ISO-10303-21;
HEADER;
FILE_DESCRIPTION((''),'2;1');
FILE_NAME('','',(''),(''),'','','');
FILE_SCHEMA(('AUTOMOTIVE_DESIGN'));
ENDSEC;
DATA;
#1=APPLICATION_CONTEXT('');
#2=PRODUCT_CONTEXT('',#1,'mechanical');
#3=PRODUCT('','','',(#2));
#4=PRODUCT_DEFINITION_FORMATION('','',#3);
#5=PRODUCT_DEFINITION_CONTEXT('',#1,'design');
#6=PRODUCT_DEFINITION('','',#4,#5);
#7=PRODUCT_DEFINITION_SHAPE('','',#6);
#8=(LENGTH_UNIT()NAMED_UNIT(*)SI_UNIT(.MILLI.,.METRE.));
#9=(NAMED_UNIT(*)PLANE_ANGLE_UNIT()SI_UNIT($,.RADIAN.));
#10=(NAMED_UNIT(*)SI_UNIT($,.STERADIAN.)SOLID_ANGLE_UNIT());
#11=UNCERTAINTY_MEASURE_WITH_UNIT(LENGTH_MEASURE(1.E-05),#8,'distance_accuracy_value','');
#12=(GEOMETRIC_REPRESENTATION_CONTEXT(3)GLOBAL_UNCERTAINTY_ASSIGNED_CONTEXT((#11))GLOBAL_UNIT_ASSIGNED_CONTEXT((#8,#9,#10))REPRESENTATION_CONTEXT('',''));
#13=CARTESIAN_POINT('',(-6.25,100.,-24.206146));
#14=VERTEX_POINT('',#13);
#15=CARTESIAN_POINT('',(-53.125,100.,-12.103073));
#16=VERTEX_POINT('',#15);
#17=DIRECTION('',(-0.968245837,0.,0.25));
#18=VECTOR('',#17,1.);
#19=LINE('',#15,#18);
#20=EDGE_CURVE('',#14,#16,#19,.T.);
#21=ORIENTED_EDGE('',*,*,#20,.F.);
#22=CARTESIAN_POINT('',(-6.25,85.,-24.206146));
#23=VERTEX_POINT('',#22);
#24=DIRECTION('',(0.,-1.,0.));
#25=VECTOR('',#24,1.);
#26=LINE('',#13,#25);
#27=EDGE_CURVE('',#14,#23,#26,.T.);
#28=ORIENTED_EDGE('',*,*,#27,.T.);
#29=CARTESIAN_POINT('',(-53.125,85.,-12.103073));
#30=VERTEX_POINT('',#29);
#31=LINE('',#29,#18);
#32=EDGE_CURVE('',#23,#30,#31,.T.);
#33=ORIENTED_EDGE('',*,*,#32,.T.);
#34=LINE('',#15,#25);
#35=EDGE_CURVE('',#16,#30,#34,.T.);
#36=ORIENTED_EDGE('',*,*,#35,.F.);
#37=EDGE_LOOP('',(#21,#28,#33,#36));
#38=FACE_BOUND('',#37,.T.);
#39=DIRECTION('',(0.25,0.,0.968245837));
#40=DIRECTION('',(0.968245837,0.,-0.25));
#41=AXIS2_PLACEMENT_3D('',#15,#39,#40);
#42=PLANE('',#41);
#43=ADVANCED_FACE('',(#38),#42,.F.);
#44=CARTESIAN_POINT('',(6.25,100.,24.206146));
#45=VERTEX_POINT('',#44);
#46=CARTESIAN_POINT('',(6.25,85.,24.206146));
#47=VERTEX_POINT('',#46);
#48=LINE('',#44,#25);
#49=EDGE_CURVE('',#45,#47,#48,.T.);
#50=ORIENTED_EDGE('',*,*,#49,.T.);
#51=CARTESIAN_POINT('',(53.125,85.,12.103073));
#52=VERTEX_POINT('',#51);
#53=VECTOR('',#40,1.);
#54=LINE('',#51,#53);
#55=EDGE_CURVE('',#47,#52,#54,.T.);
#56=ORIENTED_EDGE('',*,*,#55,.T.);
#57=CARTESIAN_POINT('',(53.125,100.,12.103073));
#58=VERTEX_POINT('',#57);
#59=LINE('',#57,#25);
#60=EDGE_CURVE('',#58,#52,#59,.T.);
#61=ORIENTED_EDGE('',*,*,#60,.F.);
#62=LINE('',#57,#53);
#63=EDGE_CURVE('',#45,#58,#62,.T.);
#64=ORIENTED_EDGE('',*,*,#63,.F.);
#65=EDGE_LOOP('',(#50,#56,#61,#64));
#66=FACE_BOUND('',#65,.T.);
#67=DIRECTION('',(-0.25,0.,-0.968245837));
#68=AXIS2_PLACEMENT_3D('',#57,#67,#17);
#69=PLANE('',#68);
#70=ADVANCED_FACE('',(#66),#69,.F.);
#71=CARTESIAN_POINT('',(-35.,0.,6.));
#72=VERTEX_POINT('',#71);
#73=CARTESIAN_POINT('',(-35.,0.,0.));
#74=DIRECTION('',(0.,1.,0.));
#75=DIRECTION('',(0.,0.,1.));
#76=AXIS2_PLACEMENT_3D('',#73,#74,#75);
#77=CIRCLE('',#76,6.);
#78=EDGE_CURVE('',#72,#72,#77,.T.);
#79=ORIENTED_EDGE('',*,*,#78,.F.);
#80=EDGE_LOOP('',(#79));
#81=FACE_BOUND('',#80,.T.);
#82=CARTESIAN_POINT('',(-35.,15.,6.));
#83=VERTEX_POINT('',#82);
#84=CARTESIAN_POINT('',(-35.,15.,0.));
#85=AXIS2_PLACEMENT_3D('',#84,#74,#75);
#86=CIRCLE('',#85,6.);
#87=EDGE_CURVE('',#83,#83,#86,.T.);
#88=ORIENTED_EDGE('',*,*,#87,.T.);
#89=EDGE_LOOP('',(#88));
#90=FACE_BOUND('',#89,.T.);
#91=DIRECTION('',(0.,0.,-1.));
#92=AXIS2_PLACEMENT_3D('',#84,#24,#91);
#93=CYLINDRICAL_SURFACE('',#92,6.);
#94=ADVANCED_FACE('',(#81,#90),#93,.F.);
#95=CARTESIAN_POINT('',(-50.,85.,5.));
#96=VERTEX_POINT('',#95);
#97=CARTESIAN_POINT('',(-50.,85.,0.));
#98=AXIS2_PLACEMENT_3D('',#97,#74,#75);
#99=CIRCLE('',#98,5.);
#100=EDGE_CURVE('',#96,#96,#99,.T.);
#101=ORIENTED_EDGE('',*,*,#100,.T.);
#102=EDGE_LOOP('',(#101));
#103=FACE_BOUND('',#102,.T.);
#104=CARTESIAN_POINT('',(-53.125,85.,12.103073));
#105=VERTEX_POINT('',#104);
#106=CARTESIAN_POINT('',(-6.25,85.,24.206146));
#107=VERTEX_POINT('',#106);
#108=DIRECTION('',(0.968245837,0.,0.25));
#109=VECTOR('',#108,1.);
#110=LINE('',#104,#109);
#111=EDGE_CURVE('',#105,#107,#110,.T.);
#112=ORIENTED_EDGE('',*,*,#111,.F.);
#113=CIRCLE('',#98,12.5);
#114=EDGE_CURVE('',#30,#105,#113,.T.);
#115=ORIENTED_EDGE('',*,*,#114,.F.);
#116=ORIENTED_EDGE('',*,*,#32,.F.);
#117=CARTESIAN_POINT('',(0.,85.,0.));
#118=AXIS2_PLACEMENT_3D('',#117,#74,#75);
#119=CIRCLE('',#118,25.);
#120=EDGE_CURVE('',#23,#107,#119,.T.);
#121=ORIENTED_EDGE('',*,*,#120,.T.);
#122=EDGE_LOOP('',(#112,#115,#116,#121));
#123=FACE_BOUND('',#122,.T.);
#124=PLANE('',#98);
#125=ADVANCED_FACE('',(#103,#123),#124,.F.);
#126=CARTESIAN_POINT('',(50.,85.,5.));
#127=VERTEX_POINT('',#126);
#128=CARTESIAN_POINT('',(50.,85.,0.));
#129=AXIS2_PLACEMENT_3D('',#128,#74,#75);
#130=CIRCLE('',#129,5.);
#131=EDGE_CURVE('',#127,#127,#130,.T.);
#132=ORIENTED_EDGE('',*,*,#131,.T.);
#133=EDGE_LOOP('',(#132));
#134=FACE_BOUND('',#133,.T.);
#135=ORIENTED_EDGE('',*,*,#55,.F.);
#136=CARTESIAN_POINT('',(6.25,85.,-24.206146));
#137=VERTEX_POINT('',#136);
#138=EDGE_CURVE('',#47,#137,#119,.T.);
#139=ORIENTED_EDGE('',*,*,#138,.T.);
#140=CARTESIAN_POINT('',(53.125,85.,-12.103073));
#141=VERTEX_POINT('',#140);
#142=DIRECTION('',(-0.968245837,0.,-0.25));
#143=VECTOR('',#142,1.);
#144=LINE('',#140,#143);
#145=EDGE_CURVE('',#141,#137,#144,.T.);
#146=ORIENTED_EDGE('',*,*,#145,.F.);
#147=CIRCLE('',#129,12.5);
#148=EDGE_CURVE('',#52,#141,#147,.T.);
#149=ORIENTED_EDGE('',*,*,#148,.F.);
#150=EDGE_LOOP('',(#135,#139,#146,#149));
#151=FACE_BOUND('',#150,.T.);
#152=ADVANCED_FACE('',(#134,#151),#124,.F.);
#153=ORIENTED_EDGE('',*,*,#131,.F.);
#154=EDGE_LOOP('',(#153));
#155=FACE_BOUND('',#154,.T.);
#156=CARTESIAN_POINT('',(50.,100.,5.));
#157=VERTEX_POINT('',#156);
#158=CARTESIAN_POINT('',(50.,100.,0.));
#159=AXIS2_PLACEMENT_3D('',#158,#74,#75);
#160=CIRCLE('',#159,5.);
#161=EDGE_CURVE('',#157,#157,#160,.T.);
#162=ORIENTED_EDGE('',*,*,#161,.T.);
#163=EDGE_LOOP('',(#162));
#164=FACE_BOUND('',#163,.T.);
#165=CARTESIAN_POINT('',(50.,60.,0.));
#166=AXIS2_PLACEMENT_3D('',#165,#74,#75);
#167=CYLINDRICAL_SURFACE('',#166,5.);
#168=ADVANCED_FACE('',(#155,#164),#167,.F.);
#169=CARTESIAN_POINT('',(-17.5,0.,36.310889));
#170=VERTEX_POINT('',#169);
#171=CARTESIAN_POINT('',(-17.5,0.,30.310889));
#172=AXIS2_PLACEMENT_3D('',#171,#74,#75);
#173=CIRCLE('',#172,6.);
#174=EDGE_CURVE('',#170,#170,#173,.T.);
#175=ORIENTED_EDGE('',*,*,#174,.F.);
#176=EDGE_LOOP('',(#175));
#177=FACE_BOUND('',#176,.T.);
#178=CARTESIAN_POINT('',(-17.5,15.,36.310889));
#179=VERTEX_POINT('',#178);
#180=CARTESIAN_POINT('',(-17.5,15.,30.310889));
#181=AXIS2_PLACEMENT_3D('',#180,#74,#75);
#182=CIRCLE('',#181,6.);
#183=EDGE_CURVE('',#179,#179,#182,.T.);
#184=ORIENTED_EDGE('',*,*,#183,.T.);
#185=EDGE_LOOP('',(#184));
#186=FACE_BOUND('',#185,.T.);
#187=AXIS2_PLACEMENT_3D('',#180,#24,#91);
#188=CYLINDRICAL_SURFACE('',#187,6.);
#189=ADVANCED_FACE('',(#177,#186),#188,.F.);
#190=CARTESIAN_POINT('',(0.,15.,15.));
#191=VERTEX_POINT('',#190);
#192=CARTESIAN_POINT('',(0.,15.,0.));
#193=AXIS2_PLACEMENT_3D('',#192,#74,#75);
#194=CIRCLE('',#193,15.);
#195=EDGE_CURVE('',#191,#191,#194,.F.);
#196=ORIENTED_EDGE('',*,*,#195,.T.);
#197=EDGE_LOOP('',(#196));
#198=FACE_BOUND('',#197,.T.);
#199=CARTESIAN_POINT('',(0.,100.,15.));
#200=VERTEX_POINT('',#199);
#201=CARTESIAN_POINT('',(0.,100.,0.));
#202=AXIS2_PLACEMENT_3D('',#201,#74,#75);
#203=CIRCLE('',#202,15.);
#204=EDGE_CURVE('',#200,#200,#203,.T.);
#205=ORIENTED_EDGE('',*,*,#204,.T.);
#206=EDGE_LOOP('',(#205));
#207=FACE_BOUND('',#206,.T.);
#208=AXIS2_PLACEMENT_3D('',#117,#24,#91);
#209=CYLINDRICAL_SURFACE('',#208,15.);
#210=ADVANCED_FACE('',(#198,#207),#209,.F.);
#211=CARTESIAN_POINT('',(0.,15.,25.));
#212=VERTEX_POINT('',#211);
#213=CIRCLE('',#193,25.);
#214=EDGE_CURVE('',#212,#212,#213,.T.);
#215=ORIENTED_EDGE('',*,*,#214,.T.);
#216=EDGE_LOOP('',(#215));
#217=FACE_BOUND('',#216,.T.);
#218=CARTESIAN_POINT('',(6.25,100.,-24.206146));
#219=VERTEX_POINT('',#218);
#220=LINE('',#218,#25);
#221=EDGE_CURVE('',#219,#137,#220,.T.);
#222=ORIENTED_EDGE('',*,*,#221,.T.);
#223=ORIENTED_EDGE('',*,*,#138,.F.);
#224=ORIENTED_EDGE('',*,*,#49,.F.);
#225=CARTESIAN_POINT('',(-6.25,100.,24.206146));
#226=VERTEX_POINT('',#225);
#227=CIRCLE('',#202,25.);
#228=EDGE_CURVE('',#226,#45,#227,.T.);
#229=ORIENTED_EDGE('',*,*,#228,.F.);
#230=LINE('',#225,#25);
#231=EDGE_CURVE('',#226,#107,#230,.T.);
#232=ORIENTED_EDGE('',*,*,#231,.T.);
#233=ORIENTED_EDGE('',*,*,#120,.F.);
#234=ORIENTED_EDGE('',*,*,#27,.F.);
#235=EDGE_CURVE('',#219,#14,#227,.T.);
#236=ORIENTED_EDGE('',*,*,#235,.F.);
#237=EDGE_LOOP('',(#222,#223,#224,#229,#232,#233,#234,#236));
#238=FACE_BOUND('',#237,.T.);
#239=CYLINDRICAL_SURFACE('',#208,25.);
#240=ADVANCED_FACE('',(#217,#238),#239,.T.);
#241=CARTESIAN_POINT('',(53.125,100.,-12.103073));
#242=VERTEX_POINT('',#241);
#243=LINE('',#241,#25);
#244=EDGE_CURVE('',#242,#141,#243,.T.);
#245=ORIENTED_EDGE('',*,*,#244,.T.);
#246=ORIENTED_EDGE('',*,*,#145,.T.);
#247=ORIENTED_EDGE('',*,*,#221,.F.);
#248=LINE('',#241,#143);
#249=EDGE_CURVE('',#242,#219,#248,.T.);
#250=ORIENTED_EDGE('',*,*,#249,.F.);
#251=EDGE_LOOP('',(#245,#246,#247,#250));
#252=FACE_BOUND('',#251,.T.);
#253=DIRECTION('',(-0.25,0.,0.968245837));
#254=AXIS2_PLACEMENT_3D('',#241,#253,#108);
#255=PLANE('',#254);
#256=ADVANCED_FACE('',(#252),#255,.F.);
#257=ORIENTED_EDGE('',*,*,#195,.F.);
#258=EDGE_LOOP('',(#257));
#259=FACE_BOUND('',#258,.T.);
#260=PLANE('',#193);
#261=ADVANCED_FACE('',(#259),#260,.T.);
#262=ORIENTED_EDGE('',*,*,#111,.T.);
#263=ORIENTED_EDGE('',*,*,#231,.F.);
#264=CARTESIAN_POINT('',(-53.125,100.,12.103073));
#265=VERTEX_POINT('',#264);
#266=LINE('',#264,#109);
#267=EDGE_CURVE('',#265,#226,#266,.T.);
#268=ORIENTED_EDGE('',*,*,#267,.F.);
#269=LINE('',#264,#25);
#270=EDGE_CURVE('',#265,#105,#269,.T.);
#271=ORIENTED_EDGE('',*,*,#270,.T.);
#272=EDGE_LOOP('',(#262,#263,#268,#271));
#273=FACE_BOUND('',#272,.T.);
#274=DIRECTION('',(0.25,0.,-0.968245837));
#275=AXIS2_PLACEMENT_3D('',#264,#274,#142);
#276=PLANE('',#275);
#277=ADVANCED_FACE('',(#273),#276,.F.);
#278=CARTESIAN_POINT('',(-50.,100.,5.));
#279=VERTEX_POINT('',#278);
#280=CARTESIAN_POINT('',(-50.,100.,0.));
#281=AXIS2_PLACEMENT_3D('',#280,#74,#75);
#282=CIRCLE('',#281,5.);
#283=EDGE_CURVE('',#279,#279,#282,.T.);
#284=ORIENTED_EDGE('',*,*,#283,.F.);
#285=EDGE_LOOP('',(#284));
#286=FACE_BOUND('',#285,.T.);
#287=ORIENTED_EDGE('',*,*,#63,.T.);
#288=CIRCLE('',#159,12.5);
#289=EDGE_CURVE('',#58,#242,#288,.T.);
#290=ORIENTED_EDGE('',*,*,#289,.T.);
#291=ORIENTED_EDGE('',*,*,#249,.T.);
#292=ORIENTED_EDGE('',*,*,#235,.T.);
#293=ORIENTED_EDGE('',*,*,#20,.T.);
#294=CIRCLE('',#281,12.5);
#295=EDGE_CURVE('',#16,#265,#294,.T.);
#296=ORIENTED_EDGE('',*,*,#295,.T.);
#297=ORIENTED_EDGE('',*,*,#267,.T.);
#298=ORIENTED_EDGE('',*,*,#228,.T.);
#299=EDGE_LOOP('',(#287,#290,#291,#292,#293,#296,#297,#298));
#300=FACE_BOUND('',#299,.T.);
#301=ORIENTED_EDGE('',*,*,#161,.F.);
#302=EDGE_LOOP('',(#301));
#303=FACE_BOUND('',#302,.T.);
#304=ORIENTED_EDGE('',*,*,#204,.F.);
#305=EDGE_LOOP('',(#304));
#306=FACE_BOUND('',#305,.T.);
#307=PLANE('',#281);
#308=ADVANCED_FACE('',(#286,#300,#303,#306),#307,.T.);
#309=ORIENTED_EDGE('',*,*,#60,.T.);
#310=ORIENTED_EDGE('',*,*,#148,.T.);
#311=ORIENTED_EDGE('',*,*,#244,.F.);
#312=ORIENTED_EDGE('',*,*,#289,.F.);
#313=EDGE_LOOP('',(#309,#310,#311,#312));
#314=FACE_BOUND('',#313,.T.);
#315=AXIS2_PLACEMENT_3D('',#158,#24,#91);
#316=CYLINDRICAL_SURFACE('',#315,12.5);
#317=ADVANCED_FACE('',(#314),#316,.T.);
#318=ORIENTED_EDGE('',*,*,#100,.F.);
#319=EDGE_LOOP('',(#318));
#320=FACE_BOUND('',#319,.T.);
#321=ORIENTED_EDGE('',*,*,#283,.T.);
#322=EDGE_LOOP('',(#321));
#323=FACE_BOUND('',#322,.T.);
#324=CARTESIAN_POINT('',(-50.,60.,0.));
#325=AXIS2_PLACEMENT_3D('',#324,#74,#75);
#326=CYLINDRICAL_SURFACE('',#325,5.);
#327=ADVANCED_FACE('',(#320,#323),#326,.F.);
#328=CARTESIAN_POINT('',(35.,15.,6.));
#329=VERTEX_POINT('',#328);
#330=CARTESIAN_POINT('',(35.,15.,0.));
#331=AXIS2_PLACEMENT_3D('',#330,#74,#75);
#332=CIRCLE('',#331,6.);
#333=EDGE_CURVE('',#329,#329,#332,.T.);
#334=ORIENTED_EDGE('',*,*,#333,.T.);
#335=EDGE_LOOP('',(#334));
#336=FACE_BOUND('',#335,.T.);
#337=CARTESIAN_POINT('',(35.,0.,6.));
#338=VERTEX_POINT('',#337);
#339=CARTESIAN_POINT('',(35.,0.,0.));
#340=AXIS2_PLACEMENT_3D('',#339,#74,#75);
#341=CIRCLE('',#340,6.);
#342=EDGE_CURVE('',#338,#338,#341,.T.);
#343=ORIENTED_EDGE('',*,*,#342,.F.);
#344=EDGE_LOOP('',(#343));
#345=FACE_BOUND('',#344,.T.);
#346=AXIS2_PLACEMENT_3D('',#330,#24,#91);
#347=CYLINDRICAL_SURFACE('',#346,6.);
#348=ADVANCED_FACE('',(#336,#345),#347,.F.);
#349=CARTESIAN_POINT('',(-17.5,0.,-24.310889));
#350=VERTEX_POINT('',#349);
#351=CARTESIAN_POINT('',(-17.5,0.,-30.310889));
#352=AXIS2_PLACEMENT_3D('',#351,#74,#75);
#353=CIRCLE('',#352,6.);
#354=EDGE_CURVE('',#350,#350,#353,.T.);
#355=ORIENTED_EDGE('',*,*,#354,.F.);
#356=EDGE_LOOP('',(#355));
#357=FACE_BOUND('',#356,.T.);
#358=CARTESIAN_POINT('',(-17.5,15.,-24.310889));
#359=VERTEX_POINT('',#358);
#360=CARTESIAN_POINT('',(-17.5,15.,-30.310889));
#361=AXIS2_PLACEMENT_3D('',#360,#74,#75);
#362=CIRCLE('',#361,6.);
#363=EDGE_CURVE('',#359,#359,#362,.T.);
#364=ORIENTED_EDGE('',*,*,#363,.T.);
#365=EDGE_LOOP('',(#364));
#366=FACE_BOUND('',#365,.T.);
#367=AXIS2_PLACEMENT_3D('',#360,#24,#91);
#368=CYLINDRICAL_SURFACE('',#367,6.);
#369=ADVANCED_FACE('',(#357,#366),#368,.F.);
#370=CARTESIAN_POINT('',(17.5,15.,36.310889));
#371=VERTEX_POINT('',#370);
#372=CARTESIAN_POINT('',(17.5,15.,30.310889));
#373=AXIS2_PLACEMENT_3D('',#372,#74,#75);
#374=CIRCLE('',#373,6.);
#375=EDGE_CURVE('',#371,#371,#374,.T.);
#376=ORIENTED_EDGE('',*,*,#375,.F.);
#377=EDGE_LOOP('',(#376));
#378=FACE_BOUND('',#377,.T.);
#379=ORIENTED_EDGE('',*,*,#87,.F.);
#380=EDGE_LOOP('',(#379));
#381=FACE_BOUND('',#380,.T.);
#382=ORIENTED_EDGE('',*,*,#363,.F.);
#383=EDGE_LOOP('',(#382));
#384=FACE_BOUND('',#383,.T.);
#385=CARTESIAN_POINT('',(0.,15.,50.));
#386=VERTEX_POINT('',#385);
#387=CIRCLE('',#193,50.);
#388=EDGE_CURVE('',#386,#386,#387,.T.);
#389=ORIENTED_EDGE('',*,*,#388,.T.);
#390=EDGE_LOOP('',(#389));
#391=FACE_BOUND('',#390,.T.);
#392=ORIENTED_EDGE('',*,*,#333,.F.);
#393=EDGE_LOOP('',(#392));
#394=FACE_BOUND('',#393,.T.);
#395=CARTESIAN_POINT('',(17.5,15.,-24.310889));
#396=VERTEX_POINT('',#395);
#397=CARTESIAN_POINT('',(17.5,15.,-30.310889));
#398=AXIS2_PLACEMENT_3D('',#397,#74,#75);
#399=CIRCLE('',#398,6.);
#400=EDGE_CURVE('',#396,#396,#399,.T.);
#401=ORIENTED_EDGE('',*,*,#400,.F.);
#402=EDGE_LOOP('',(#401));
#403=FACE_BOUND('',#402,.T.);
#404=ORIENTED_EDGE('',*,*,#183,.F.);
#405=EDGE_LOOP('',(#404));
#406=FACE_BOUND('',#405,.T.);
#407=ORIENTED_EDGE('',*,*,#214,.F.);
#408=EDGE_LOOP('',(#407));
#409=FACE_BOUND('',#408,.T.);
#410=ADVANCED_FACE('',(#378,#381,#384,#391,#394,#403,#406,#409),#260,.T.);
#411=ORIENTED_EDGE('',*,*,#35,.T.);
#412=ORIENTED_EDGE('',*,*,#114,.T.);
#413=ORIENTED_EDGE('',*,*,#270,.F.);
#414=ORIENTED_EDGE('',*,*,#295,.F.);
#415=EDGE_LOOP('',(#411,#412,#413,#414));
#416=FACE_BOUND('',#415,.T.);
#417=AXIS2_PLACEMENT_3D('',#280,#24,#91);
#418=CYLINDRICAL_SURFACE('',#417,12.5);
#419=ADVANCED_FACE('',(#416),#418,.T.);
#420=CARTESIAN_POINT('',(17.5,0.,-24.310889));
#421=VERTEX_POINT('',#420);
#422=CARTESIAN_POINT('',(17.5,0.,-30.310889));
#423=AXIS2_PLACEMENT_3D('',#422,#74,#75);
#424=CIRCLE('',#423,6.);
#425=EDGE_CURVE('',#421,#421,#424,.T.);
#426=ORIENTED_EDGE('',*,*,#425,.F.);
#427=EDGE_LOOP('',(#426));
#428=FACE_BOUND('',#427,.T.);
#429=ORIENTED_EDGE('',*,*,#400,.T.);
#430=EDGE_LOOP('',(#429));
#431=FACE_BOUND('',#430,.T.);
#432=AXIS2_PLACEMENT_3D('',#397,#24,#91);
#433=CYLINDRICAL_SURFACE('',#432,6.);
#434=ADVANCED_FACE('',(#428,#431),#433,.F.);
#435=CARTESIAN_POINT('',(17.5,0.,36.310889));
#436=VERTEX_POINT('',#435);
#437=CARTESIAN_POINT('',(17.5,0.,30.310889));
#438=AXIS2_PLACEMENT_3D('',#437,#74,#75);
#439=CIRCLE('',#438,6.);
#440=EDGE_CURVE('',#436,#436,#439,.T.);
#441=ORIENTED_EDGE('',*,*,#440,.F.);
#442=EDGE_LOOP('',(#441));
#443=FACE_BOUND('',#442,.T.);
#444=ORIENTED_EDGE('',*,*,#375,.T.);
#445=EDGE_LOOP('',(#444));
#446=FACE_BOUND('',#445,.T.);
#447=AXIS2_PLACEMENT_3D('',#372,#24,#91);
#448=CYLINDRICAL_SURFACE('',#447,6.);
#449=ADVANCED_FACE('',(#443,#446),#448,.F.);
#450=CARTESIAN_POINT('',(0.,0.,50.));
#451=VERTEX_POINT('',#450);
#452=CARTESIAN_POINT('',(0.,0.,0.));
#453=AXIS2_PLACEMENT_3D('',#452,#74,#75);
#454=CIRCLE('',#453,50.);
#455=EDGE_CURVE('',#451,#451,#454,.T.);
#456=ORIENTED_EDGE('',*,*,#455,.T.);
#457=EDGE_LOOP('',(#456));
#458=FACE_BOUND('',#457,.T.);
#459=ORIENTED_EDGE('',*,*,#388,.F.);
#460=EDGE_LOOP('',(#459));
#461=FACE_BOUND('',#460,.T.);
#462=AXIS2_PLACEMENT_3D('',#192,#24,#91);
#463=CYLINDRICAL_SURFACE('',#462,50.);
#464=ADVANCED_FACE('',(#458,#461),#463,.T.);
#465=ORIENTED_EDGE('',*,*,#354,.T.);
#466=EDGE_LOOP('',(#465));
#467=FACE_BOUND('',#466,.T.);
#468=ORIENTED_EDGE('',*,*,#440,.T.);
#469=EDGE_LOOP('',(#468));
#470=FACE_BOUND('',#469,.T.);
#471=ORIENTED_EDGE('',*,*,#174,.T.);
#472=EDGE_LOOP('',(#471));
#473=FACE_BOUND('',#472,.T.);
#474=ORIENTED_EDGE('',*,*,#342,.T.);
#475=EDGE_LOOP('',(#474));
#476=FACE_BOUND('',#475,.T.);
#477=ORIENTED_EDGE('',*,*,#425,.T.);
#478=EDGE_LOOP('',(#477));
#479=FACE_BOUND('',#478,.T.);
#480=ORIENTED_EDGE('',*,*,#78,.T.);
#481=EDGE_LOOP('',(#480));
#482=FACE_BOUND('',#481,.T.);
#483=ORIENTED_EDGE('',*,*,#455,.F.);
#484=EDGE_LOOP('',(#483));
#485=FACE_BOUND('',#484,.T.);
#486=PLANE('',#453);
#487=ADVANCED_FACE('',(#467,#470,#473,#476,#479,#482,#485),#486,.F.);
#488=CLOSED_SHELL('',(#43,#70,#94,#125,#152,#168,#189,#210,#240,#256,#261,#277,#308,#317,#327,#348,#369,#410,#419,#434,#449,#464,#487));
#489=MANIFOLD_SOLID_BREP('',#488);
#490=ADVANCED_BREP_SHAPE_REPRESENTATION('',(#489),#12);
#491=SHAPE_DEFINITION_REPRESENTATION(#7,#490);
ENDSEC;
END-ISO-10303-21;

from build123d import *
from build123d.topology import SkipClean

# Parameters (mm, degrees)
SKETCH1_R           = 50
SKETCH1_R_2         = 6
BOSS_EXTRUDE1_DEPTH = 15
SKETCH2_R           = 25
SKETCH2_R_2         = 15
BOSS_EXTRUDE2_DEPTH = 70
BOSS_EXTRUDE3_DEPTH = 15
CUT_EXTRUDE1_START  = -40
SKETCH4_R           = 15
SKETCH4_R_2         = 5
CUT_EXTRUDE1_DEPTH  = 40


with BuildPart() as part:
    # Sketch1 → Boss-Extrude1 (new body)
    with BuildSketch(Plane(origin=(0, 0, 0), x_dir=(1, 0, 0), z_dir=(0, 1, 0))):
        with Locations(Location((0, 0, 0), (0, 0, 270))):
            Circle(SKETCH1_R)
        with Locations(Location((-35, 0, 0), (0, 0, 270))):
            Circle(SKETCH1_R_2, mode=Mode.SUBTRACT)
        with Locations(Location((-17.5, 30.310889132, 0), (0, 0, 270))):
            Circle(SKETCH1_R_2, mode=Mode.SUBTRACT)
        with Locations(Location((17.5, 30.310889132, 0), (0, 0, 270))):
            Circle(SKETCH1_R_2, mode=Mode.SUBTRACT)
        with Locations(Location((35, 0, 0), (0, 0, 270))):
            Circle(SKETCH1_R_2, mode=Mode.SUBTRACT)
        with Locations(Location((17.5, -30.310889132, 0), (0, 0, 270))):
            Circle(SKETCH1_R_2, mode=Mode.SUBTRACT)
        with Locations(Location((-17.5, -30.310889132, 0), (0, 0, 270))):
            Circle(SKETCH1_R_2, mode=Mode.SUBTRACT)
    extrude(amount=BOSS_EXTRUDE1_DEPTH)

    # Sketch2 → Boss-Extrude2 (add)
    with BuildSketch(Plane(origin=(0, 15, 0), x_dir=(1, 0, 0), z_dir=(0, 1, 0))):
        with Locations(Location((0, 0, 0), (0, 0, 270))):
            Circle(SKETCH2_R)
        with Locations(Location((0, 0, 0), (0, 0, 270))):
            Circle(SKETCH2_R_2, mode=Mode.SUBTRACT)
    extrude(amount=BOSS_EXTRUDE2_DEPTH)

    # Sketch3 → Boss-Extrude3 (add)
    with SkipClean():  # the faces are left unmerged after this step: merging them gives an invalid solid
        with BuildSketch(Plane(origin=(0, 85, 0), x_dir=(1, 0, 0), z_dir=(0, 1, 0))):
            with BuildLine():
                Line((-53.125, 12.103072957), (-6.25, 24.206145914))
                ThreePointArc((-6.25, 24.206145914), (0, 25), (6.25, 24.206145914))
                Line((6.25, 24.206145914), (53.125, 12.103072957))
                ThreePointArc((53.125, 12.103072957), (62.5, 0), (53.125, -12.103072957))
                Line((53.125, -12.103072957), (6.25, -24.206145914))
                ThreePointArc((6.25, -24.206145914), (0, -25), (-6.25, -24.206145914))
                Line((-6.25, -24.206145914), (-53.125, -12.103072957))
                ThreePointArc((-53.125, -12.103072957), (-62.5, 0), (-53.125, 12.103072957))
            make_face()
        extrude(amount=BOSS_EXTRUDE3_DEPTH)

    # Sketch4 → Cut-Extrude1 (cut)
    with SkipClean():  # the faces are left unmerged after this step: merging them gives an invalid solid
        with BuildSketch(Plane(origin=(0, 100, 0), x_dir=(1, 0, 0), z_dir=(0, 1, 0)).offset(CUT_EXTRUDE1_START)):
            with Locations(Location((0, 0, 0), (0, 0, 270))):
                Circle(SKETCH4_R)
            with Locations(Location((-50, 0, 0), (0, 0, 270))):
                Circle(SKETCH4_R_2)
            with Locations(Location((50, 0, 0), (0, 0, 270))):
                Circle(SKETCH4_R_2)
        extrude(amount=CUT_EXTRUDE1_DEPTH, mode=Mode.SUBTRACT)


solid = part.part
